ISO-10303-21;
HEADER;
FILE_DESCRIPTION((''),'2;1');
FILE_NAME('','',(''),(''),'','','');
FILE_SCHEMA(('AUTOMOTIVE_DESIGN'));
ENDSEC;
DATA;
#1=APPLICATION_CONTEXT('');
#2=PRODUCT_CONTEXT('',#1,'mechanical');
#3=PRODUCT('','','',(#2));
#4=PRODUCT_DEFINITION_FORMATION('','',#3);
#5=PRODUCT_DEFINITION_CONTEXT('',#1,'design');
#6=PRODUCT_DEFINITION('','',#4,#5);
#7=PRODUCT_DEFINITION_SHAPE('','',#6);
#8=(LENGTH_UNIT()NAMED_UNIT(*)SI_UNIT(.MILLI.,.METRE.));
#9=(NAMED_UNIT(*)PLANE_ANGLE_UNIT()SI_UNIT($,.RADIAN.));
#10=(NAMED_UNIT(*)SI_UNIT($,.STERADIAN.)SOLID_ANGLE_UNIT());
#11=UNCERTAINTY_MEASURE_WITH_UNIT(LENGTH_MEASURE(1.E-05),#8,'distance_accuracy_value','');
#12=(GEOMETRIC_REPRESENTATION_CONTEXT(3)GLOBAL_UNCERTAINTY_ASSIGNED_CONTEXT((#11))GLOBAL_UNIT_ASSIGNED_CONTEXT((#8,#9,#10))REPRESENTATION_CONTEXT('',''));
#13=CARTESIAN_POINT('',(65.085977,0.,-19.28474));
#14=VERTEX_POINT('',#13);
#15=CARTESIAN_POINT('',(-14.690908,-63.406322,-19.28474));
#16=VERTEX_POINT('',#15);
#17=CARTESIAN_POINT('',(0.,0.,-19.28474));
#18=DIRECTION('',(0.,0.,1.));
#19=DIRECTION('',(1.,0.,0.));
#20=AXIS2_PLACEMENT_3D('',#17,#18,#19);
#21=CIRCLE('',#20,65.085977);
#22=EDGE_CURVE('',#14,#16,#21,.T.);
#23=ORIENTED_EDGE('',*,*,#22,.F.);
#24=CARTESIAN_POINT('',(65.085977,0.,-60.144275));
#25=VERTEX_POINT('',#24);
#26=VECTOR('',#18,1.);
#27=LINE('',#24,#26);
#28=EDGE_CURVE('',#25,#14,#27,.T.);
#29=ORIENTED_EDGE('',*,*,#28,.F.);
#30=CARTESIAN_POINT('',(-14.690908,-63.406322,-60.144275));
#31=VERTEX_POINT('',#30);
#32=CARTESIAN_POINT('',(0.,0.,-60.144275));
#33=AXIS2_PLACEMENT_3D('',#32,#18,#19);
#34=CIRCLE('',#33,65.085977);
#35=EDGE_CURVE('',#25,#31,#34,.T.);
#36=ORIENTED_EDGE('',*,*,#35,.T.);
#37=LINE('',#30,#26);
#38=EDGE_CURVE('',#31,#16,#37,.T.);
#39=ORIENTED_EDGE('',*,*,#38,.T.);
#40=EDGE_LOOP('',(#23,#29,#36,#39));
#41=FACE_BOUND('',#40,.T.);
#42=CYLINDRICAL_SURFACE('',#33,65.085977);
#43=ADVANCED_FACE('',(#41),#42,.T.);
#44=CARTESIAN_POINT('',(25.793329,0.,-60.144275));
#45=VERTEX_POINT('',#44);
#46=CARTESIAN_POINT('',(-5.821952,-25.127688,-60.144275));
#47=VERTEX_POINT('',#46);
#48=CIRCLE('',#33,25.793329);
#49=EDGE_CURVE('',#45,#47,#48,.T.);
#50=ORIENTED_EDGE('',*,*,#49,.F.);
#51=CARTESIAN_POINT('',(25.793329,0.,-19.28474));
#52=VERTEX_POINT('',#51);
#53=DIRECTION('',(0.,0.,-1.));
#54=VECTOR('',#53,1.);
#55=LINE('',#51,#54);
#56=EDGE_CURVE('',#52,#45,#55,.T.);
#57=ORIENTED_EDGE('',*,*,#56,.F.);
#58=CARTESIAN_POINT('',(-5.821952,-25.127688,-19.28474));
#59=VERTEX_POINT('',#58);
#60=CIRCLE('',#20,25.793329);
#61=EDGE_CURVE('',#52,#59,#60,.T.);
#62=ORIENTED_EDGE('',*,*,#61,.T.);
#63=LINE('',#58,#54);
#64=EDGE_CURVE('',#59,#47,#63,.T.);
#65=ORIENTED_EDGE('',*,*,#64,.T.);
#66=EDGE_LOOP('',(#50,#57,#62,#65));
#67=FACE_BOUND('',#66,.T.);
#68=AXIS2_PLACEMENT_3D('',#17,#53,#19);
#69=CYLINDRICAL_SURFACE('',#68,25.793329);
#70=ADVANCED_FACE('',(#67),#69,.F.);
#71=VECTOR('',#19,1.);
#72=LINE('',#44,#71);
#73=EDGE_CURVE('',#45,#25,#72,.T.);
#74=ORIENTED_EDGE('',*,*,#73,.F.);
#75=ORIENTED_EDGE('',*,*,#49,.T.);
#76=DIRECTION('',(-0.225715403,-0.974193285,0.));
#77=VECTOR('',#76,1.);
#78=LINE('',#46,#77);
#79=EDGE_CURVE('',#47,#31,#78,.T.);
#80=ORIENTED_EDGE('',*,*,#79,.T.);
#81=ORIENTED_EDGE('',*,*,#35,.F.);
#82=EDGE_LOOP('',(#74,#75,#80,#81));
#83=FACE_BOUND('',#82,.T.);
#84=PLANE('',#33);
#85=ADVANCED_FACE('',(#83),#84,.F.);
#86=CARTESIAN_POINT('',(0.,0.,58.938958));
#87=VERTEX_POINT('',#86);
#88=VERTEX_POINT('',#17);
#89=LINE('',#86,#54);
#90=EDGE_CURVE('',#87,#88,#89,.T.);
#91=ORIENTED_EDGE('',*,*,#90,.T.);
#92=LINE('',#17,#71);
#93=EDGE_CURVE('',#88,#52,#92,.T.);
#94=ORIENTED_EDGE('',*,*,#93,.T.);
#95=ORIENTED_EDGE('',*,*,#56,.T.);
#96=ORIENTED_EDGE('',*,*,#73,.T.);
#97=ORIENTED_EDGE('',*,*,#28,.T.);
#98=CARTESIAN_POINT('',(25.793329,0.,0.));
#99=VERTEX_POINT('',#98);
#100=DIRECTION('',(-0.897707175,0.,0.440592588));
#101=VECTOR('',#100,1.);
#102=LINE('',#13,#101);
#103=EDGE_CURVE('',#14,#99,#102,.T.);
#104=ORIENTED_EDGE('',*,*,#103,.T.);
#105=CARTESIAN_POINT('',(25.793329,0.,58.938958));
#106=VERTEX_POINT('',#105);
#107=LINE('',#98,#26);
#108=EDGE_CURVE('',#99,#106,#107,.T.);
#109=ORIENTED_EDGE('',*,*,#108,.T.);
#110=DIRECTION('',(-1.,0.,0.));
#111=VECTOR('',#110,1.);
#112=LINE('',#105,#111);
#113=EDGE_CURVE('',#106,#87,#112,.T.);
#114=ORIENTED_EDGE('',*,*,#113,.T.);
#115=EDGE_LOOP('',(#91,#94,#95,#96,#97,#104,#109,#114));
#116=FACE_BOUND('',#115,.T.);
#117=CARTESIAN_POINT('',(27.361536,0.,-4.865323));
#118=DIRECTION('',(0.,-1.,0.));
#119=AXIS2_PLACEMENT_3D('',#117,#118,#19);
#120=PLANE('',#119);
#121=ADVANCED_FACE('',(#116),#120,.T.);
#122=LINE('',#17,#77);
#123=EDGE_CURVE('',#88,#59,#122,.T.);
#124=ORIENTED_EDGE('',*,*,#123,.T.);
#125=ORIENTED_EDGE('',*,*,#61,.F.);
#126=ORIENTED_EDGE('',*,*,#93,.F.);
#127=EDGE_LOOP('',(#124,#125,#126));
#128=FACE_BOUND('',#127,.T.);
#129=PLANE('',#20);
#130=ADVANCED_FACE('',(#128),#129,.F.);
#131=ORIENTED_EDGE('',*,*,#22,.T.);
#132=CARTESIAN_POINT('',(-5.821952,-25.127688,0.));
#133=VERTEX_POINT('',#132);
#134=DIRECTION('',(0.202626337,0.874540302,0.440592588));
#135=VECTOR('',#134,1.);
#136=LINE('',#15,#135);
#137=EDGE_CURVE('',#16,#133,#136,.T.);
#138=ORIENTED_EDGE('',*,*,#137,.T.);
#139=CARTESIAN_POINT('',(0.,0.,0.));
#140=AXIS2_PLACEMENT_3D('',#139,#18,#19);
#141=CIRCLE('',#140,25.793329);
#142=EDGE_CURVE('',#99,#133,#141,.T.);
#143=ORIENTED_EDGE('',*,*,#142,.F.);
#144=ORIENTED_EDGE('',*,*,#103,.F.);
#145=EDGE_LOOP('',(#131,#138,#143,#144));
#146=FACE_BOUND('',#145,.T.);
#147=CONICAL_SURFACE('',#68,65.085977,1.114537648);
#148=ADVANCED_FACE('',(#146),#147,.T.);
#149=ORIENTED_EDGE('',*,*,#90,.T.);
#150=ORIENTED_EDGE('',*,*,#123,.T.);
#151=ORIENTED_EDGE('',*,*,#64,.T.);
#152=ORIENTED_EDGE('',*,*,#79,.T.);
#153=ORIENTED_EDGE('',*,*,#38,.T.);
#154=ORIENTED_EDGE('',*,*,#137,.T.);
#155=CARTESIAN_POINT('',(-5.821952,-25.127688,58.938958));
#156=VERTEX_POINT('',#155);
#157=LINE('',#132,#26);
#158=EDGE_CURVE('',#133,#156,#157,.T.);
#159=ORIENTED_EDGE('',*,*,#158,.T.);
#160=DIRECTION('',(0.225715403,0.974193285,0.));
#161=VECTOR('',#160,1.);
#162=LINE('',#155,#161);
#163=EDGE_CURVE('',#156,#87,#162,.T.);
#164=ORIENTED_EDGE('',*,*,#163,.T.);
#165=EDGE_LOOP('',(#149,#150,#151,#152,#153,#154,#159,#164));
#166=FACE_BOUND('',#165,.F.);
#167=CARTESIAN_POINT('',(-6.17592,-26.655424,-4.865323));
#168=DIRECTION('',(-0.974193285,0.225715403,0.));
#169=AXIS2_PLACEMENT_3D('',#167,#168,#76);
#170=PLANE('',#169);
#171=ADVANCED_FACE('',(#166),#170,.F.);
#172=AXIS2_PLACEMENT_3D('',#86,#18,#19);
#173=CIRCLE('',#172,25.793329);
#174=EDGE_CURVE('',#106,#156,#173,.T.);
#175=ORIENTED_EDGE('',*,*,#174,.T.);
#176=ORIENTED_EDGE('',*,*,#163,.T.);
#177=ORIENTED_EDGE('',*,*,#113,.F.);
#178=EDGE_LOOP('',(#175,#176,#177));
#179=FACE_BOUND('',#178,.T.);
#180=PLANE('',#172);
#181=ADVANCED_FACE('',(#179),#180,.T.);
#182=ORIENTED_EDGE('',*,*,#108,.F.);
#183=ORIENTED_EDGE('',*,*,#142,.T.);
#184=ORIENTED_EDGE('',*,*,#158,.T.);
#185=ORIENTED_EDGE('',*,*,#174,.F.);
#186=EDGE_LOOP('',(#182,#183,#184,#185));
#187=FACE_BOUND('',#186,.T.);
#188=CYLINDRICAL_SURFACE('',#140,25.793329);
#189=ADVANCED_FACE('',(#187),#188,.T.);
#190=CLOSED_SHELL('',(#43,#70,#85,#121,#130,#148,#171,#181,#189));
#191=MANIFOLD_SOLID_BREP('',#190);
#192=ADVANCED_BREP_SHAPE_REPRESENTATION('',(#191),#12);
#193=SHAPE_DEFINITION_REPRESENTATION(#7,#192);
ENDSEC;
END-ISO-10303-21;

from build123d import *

# Parameters (mm, degrees)
F1_ANGLE = 256.95505


with BuildPart() as f1:
    # F0 (on Front) → F1 (revolve)
    with BuildSketch(Plane.XZ):
        Polygon((25.793329, 58.938958), (0, 58.938958), (0, -19.28474), (25.793329, -19.28474), (25.793329, -60.144275), (65.085977, -60.144275), (65.085977, -19.28474), (25.793329, 0), align=None)
    revolve(axis=Axis((0, 0, 19.827109), (0, 0, 1)), revolution_arc=F1_ANGLE)


solid = f1.part
